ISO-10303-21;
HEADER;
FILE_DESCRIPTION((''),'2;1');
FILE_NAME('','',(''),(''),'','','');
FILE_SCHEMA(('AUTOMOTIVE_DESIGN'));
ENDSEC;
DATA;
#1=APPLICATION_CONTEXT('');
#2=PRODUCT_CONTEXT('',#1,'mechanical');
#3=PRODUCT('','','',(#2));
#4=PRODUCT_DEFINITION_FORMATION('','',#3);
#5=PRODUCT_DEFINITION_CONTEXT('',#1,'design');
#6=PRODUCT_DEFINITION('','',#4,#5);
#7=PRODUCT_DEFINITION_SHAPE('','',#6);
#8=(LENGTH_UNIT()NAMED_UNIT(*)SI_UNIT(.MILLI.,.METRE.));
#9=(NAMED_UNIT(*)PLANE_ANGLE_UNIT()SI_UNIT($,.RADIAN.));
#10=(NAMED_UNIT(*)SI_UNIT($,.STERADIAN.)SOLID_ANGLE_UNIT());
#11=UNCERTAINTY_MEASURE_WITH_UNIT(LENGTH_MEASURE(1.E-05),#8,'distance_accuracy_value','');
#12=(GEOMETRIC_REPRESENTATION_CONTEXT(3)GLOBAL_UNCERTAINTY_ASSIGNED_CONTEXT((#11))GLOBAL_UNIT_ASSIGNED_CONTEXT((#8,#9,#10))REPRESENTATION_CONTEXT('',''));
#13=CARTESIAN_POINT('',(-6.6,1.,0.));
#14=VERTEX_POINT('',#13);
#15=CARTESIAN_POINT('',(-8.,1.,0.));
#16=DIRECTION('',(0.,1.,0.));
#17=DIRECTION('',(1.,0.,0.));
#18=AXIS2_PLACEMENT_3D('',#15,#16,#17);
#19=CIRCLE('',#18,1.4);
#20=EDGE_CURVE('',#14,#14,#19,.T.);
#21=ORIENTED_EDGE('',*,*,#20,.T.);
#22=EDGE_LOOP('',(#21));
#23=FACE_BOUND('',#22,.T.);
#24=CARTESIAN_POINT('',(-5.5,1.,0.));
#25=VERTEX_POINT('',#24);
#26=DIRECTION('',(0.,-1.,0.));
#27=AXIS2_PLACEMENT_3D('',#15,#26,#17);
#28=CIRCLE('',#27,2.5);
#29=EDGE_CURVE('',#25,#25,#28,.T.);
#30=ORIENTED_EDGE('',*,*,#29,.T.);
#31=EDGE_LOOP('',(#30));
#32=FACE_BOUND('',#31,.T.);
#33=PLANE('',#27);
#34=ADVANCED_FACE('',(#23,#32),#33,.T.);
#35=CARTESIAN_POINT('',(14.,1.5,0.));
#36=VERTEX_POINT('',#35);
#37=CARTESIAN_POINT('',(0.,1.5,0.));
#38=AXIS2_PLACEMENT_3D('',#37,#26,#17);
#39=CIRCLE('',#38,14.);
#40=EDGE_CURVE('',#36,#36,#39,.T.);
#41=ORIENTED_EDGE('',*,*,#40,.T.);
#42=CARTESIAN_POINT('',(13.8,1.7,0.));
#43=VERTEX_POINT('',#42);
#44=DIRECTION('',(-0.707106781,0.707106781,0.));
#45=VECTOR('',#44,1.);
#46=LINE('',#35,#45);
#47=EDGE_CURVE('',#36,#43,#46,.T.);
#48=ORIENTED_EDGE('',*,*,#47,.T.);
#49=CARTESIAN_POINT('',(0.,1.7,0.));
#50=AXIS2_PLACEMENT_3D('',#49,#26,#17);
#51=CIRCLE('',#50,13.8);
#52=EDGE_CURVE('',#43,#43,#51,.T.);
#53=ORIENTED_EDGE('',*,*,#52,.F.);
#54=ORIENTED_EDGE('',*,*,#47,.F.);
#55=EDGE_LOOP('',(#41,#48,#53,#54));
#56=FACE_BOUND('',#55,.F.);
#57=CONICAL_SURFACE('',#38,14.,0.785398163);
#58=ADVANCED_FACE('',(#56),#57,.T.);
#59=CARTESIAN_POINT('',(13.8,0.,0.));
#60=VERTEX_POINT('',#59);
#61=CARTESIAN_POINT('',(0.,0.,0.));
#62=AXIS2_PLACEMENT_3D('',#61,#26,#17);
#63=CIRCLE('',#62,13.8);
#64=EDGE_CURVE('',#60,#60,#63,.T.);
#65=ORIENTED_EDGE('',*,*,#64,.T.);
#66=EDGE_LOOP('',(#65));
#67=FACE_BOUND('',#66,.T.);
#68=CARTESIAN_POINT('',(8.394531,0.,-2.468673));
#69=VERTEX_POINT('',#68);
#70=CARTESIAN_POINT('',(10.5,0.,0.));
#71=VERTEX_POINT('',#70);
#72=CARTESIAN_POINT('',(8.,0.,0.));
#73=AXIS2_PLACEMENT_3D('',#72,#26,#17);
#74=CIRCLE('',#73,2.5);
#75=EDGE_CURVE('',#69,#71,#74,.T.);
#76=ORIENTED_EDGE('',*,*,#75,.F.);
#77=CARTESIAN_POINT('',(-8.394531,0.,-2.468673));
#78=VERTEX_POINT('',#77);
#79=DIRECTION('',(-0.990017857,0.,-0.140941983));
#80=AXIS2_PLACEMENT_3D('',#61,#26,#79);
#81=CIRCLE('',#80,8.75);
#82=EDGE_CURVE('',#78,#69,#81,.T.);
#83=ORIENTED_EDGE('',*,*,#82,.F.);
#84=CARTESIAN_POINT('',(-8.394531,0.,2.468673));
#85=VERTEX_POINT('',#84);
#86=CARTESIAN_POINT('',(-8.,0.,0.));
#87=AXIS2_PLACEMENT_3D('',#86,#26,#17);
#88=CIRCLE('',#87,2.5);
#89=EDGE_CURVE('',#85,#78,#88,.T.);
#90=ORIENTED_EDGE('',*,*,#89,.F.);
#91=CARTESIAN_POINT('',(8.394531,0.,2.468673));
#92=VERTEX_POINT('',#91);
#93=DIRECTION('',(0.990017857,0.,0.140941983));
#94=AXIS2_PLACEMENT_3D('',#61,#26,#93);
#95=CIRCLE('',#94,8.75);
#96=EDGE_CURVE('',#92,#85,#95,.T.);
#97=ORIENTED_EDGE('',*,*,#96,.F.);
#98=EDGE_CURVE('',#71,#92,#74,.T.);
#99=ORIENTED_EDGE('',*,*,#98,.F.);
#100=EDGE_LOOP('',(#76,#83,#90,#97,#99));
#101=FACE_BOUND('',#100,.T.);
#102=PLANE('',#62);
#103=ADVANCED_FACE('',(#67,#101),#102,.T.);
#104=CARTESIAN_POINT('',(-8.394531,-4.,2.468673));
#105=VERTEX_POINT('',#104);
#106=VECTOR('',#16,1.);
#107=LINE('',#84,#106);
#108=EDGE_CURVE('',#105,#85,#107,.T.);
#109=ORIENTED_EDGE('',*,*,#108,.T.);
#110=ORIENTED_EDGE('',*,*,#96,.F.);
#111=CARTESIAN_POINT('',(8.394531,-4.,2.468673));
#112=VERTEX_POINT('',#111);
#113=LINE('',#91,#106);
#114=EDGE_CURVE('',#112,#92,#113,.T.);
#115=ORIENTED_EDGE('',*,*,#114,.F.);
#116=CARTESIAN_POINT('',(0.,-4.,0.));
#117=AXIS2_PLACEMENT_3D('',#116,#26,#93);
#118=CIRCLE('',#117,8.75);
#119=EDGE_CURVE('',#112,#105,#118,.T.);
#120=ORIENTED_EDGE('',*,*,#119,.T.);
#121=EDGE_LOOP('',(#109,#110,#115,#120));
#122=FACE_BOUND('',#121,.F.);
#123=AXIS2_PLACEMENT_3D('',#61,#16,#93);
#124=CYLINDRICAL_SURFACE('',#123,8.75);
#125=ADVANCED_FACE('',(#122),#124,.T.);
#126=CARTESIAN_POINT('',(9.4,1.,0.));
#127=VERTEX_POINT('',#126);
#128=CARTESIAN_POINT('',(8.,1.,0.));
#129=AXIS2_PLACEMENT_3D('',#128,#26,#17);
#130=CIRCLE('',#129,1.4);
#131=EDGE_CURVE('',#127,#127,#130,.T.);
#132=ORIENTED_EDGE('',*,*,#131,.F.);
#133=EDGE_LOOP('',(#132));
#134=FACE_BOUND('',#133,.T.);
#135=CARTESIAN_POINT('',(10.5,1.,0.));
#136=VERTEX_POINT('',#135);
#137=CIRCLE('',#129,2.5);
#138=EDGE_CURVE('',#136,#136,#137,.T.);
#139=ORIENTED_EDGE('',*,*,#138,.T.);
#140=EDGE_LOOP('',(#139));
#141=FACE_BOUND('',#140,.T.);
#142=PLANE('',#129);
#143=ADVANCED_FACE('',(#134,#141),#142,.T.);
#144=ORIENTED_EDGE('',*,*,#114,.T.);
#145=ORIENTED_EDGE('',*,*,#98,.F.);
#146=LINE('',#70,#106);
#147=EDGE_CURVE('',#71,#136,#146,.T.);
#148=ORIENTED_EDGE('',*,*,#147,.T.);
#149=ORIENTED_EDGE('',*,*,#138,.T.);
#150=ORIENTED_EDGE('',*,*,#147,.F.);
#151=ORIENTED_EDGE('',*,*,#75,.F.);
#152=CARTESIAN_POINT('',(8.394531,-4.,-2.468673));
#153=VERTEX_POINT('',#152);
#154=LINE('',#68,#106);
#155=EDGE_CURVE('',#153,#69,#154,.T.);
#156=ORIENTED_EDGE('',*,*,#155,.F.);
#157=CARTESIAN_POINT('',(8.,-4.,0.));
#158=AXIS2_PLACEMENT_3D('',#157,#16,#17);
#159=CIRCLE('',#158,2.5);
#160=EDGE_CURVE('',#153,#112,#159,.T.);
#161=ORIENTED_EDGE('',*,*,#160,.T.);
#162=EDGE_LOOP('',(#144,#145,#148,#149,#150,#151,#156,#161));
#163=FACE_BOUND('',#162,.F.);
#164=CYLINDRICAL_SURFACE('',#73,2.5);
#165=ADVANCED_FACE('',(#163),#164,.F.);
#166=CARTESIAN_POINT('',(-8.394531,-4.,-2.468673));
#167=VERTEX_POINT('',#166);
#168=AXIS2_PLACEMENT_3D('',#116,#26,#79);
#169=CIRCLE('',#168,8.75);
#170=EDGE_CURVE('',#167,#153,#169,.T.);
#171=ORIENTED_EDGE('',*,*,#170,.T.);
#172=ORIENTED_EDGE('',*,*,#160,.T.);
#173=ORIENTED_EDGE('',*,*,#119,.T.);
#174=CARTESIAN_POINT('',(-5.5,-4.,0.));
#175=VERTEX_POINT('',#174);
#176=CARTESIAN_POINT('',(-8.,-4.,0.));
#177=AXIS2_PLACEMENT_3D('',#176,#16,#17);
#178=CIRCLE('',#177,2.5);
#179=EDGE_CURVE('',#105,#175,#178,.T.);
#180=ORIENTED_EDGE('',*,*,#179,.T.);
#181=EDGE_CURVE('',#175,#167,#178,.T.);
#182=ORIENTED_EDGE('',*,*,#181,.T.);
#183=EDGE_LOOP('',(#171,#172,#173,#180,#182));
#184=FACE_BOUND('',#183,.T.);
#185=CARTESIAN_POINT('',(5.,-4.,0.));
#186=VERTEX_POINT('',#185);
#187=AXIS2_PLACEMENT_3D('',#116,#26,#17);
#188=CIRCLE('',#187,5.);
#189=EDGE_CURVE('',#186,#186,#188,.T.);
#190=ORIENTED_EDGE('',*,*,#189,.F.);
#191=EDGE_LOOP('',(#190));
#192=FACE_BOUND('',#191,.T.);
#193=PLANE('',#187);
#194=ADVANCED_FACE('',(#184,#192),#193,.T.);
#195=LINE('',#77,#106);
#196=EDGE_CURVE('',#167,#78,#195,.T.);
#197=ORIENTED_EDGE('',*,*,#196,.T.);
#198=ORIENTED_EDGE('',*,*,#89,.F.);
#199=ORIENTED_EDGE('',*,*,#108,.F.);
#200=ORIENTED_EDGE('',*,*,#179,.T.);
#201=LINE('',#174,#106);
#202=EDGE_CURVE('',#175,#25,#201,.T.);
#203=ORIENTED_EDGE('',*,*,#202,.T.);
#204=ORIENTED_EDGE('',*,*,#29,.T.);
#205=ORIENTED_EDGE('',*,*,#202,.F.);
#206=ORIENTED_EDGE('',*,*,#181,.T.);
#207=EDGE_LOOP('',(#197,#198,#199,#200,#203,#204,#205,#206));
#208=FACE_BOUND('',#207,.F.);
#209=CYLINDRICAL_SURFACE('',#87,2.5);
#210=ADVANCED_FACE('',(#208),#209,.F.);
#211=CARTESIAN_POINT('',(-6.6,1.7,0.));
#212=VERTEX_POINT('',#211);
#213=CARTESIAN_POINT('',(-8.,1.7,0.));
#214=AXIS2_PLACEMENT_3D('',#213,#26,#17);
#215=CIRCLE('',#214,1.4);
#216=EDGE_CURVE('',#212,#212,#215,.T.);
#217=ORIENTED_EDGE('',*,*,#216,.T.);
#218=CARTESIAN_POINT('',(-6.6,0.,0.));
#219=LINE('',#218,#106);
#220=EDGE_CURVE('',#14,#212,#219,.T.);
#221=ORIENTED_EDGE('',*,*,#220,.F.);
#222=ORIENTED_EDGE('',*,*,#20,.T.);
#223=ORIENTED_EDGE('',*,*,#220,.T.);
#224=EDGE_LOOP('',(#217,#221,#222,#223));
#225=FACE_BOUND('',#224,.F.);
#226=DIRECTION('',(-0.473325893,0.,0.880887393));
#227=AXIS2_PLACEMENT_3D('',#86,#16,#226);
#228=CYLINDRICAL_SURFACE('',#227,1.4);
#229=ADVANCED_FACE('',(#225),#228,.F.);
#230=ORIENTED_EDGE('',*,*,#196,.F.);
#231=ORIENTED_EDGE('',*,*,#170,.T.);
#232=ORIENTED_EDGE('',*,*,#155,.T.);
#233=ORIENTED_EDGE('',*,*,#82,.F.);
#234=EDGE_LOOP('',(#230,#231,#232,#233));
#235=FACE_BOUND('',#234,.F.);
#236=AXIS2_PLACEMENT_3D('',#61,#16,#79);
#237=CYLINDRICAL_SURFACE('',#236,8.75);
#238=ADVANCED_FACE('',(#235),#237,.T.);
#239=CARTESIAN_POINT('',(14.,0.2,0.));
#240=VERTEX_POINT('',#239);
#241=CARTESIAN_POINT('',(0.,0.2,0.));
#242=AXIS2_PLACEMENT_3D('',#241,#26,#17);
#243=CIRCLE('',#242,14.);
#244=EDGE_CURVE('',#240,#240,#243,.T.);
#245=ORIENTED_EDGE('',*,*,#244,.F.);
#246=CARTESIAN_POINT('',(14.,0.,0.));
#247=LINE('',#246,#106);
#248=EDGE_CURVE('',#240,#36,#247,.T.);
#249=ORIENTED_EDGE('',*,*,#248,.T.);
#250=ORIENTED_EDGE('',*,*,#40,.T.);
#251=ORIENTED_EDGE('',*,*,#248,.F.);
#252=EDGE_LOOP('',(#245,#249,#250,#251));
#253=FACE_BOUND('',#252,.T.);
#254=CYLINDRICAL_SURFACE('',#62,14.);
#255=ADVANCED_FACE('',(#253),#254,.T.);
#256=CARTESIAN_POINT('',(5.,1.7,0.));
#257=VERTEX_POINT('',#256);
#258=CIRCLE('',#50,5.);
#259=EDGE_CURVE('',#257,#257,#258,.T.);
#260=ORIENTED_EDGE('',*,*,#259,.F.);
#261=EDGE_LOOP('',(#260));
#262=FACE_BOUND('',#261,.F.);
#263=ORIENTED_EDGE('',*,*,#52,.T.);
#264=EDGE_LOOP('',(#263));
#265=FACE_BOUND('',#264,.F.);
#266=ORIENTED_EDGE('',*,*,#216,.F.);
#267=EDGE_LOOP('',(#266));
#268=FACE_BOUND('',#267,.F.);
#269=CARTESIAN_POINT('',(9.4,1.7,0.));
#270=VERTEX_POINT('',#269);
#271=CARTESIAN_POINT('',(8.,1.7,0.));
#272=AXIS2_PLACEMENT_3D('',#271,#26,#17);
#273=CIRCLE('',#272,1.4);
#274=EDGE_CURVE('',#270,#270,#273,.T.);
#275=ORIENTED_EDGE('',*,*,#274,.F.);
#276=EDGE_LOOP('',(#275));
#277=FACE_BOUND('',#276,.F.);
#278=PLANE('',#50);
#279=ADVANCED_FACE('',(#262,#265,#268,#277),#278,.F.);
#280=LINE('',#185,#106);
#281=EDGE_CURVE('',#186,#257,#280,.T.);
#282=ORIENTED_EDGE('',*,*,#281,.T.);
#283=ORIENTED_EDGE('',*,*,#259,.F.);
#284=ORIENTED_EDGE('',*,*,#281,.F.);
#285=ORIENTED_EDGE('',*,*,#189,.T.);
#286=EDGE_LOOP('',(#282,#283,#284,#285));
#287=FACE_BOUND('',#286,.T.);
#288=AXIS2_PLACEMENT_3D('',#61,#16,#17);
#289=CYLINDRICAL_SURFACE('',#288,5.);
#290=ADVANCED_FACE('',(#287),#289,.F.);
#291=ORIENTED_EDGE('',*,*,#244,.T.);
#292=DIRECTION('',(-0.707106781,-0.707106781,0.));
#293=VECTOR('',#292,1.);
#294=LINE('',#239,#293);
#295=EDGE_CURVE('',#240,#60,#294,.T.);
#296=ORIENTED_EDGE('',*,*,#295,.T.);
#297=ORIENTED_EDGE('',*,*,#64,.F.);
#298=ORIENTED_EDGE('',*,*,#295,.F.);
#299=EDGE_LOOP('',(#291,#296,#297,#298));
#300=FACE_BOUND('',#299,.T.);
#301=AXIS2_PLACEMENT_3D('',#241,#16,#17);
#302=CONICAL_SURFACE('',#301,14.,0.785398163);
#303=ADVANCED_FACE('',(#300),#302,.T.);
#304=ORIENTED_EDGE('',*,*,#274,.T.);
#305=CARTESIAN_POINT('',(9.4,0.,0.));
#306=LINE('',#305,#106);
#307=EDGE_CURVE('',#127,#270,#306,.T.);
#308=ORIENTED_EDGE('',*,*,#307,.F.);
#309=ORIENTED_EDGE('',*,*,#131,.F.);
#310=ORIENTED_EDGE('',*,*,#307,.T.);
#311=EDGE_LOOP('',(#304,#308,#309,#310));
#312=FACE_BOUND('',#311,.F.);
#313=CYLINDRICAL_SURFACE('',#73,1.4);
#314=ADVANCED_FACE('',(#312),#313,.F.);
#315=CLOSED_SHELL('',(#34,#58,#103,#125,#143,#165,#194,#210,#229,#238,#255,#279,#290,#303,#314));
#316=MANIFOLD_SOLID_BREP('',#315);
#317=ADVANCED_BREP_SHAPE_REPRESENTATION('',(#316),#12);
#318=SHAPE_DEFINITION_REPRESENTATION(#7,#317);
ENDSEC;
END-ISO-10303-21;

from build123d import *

# Parameters (mm, degrees)
F0_R          = 14
F0_R_2        = 1.4
F0_R_3        = 5
F1_DEPTH      = 1.7
F2_SIZE       = 0.2
F3_R          = 5
F4_DEPTH      = 4
F5_R          = 2.5
F6_DEPTH      = 1
F6_DEPTH_BACK = 4.001


with BuildPart() as f1:
    # F0 (on Front) → F1 (new body)
    with BuildSketch(Plane.XZ):
        Circle(F0_R)
        with Locations((-8, 0)):
            Circle(F0_R_2, mode=Mode.SUBTRACT)
        Circle(F0_R_3, mode=Mode.SUBTRACT)
        with Locations((8, 0)):
            Circle(F0_R_2, mode=Mode.SUBTRACT)
    extrude(amount=-F1_DEPTH)

    # F2
    f2_edges = [f1.edges().sort_by_distance(p)[0] for p in [
        (-14, 1.7, 0),
        (-14, 0, 0),
    ]]
    chamfer(f2_edges, length=F2_SIZE)

    # F3 (on face) → F4 (join)
    with BuildSketch(Plane.XZ):
        with BuildLine():
            ThreePointArc((-8.66265625, 1.2332423502), (-6.6, 0), (-8.66265625, -1.2332423502))
            ThreePointArc((-8.66265625, -1.2332423502), (0, -8.75), (8.66265625, -1.2332423502))
            ThreePointArc((8.66265625, -1.2332423502), (6.6, 0), (8.66265625, 1.2332423502))
            ThreePointArc((8.66265625, 1.2332423502), (0, 8.75), (-8.66265625, 1.2332423502))
        make_face()
        Circle(F3_R, mode=Mode.SUBTRACT)
    extrude(amount=F4_DEPTH)

    # F5 (on face) → F6 (cut, two sides)
    with BuildSketch(Plane.XZ) as f6_sk:
        with Locations((-8, 0)):
            Circle(F5_R)
        with Locations((8, 0)):
            Circle(F5_R)
    extrude(amount=-F6_DEPTH, mode=Mode.SUBTRACT)
    extrude(f6_sk.sketch, amount=F6_DEPTH_BACK, mode=Mode.SUBTRACT)


solid = f1.part
